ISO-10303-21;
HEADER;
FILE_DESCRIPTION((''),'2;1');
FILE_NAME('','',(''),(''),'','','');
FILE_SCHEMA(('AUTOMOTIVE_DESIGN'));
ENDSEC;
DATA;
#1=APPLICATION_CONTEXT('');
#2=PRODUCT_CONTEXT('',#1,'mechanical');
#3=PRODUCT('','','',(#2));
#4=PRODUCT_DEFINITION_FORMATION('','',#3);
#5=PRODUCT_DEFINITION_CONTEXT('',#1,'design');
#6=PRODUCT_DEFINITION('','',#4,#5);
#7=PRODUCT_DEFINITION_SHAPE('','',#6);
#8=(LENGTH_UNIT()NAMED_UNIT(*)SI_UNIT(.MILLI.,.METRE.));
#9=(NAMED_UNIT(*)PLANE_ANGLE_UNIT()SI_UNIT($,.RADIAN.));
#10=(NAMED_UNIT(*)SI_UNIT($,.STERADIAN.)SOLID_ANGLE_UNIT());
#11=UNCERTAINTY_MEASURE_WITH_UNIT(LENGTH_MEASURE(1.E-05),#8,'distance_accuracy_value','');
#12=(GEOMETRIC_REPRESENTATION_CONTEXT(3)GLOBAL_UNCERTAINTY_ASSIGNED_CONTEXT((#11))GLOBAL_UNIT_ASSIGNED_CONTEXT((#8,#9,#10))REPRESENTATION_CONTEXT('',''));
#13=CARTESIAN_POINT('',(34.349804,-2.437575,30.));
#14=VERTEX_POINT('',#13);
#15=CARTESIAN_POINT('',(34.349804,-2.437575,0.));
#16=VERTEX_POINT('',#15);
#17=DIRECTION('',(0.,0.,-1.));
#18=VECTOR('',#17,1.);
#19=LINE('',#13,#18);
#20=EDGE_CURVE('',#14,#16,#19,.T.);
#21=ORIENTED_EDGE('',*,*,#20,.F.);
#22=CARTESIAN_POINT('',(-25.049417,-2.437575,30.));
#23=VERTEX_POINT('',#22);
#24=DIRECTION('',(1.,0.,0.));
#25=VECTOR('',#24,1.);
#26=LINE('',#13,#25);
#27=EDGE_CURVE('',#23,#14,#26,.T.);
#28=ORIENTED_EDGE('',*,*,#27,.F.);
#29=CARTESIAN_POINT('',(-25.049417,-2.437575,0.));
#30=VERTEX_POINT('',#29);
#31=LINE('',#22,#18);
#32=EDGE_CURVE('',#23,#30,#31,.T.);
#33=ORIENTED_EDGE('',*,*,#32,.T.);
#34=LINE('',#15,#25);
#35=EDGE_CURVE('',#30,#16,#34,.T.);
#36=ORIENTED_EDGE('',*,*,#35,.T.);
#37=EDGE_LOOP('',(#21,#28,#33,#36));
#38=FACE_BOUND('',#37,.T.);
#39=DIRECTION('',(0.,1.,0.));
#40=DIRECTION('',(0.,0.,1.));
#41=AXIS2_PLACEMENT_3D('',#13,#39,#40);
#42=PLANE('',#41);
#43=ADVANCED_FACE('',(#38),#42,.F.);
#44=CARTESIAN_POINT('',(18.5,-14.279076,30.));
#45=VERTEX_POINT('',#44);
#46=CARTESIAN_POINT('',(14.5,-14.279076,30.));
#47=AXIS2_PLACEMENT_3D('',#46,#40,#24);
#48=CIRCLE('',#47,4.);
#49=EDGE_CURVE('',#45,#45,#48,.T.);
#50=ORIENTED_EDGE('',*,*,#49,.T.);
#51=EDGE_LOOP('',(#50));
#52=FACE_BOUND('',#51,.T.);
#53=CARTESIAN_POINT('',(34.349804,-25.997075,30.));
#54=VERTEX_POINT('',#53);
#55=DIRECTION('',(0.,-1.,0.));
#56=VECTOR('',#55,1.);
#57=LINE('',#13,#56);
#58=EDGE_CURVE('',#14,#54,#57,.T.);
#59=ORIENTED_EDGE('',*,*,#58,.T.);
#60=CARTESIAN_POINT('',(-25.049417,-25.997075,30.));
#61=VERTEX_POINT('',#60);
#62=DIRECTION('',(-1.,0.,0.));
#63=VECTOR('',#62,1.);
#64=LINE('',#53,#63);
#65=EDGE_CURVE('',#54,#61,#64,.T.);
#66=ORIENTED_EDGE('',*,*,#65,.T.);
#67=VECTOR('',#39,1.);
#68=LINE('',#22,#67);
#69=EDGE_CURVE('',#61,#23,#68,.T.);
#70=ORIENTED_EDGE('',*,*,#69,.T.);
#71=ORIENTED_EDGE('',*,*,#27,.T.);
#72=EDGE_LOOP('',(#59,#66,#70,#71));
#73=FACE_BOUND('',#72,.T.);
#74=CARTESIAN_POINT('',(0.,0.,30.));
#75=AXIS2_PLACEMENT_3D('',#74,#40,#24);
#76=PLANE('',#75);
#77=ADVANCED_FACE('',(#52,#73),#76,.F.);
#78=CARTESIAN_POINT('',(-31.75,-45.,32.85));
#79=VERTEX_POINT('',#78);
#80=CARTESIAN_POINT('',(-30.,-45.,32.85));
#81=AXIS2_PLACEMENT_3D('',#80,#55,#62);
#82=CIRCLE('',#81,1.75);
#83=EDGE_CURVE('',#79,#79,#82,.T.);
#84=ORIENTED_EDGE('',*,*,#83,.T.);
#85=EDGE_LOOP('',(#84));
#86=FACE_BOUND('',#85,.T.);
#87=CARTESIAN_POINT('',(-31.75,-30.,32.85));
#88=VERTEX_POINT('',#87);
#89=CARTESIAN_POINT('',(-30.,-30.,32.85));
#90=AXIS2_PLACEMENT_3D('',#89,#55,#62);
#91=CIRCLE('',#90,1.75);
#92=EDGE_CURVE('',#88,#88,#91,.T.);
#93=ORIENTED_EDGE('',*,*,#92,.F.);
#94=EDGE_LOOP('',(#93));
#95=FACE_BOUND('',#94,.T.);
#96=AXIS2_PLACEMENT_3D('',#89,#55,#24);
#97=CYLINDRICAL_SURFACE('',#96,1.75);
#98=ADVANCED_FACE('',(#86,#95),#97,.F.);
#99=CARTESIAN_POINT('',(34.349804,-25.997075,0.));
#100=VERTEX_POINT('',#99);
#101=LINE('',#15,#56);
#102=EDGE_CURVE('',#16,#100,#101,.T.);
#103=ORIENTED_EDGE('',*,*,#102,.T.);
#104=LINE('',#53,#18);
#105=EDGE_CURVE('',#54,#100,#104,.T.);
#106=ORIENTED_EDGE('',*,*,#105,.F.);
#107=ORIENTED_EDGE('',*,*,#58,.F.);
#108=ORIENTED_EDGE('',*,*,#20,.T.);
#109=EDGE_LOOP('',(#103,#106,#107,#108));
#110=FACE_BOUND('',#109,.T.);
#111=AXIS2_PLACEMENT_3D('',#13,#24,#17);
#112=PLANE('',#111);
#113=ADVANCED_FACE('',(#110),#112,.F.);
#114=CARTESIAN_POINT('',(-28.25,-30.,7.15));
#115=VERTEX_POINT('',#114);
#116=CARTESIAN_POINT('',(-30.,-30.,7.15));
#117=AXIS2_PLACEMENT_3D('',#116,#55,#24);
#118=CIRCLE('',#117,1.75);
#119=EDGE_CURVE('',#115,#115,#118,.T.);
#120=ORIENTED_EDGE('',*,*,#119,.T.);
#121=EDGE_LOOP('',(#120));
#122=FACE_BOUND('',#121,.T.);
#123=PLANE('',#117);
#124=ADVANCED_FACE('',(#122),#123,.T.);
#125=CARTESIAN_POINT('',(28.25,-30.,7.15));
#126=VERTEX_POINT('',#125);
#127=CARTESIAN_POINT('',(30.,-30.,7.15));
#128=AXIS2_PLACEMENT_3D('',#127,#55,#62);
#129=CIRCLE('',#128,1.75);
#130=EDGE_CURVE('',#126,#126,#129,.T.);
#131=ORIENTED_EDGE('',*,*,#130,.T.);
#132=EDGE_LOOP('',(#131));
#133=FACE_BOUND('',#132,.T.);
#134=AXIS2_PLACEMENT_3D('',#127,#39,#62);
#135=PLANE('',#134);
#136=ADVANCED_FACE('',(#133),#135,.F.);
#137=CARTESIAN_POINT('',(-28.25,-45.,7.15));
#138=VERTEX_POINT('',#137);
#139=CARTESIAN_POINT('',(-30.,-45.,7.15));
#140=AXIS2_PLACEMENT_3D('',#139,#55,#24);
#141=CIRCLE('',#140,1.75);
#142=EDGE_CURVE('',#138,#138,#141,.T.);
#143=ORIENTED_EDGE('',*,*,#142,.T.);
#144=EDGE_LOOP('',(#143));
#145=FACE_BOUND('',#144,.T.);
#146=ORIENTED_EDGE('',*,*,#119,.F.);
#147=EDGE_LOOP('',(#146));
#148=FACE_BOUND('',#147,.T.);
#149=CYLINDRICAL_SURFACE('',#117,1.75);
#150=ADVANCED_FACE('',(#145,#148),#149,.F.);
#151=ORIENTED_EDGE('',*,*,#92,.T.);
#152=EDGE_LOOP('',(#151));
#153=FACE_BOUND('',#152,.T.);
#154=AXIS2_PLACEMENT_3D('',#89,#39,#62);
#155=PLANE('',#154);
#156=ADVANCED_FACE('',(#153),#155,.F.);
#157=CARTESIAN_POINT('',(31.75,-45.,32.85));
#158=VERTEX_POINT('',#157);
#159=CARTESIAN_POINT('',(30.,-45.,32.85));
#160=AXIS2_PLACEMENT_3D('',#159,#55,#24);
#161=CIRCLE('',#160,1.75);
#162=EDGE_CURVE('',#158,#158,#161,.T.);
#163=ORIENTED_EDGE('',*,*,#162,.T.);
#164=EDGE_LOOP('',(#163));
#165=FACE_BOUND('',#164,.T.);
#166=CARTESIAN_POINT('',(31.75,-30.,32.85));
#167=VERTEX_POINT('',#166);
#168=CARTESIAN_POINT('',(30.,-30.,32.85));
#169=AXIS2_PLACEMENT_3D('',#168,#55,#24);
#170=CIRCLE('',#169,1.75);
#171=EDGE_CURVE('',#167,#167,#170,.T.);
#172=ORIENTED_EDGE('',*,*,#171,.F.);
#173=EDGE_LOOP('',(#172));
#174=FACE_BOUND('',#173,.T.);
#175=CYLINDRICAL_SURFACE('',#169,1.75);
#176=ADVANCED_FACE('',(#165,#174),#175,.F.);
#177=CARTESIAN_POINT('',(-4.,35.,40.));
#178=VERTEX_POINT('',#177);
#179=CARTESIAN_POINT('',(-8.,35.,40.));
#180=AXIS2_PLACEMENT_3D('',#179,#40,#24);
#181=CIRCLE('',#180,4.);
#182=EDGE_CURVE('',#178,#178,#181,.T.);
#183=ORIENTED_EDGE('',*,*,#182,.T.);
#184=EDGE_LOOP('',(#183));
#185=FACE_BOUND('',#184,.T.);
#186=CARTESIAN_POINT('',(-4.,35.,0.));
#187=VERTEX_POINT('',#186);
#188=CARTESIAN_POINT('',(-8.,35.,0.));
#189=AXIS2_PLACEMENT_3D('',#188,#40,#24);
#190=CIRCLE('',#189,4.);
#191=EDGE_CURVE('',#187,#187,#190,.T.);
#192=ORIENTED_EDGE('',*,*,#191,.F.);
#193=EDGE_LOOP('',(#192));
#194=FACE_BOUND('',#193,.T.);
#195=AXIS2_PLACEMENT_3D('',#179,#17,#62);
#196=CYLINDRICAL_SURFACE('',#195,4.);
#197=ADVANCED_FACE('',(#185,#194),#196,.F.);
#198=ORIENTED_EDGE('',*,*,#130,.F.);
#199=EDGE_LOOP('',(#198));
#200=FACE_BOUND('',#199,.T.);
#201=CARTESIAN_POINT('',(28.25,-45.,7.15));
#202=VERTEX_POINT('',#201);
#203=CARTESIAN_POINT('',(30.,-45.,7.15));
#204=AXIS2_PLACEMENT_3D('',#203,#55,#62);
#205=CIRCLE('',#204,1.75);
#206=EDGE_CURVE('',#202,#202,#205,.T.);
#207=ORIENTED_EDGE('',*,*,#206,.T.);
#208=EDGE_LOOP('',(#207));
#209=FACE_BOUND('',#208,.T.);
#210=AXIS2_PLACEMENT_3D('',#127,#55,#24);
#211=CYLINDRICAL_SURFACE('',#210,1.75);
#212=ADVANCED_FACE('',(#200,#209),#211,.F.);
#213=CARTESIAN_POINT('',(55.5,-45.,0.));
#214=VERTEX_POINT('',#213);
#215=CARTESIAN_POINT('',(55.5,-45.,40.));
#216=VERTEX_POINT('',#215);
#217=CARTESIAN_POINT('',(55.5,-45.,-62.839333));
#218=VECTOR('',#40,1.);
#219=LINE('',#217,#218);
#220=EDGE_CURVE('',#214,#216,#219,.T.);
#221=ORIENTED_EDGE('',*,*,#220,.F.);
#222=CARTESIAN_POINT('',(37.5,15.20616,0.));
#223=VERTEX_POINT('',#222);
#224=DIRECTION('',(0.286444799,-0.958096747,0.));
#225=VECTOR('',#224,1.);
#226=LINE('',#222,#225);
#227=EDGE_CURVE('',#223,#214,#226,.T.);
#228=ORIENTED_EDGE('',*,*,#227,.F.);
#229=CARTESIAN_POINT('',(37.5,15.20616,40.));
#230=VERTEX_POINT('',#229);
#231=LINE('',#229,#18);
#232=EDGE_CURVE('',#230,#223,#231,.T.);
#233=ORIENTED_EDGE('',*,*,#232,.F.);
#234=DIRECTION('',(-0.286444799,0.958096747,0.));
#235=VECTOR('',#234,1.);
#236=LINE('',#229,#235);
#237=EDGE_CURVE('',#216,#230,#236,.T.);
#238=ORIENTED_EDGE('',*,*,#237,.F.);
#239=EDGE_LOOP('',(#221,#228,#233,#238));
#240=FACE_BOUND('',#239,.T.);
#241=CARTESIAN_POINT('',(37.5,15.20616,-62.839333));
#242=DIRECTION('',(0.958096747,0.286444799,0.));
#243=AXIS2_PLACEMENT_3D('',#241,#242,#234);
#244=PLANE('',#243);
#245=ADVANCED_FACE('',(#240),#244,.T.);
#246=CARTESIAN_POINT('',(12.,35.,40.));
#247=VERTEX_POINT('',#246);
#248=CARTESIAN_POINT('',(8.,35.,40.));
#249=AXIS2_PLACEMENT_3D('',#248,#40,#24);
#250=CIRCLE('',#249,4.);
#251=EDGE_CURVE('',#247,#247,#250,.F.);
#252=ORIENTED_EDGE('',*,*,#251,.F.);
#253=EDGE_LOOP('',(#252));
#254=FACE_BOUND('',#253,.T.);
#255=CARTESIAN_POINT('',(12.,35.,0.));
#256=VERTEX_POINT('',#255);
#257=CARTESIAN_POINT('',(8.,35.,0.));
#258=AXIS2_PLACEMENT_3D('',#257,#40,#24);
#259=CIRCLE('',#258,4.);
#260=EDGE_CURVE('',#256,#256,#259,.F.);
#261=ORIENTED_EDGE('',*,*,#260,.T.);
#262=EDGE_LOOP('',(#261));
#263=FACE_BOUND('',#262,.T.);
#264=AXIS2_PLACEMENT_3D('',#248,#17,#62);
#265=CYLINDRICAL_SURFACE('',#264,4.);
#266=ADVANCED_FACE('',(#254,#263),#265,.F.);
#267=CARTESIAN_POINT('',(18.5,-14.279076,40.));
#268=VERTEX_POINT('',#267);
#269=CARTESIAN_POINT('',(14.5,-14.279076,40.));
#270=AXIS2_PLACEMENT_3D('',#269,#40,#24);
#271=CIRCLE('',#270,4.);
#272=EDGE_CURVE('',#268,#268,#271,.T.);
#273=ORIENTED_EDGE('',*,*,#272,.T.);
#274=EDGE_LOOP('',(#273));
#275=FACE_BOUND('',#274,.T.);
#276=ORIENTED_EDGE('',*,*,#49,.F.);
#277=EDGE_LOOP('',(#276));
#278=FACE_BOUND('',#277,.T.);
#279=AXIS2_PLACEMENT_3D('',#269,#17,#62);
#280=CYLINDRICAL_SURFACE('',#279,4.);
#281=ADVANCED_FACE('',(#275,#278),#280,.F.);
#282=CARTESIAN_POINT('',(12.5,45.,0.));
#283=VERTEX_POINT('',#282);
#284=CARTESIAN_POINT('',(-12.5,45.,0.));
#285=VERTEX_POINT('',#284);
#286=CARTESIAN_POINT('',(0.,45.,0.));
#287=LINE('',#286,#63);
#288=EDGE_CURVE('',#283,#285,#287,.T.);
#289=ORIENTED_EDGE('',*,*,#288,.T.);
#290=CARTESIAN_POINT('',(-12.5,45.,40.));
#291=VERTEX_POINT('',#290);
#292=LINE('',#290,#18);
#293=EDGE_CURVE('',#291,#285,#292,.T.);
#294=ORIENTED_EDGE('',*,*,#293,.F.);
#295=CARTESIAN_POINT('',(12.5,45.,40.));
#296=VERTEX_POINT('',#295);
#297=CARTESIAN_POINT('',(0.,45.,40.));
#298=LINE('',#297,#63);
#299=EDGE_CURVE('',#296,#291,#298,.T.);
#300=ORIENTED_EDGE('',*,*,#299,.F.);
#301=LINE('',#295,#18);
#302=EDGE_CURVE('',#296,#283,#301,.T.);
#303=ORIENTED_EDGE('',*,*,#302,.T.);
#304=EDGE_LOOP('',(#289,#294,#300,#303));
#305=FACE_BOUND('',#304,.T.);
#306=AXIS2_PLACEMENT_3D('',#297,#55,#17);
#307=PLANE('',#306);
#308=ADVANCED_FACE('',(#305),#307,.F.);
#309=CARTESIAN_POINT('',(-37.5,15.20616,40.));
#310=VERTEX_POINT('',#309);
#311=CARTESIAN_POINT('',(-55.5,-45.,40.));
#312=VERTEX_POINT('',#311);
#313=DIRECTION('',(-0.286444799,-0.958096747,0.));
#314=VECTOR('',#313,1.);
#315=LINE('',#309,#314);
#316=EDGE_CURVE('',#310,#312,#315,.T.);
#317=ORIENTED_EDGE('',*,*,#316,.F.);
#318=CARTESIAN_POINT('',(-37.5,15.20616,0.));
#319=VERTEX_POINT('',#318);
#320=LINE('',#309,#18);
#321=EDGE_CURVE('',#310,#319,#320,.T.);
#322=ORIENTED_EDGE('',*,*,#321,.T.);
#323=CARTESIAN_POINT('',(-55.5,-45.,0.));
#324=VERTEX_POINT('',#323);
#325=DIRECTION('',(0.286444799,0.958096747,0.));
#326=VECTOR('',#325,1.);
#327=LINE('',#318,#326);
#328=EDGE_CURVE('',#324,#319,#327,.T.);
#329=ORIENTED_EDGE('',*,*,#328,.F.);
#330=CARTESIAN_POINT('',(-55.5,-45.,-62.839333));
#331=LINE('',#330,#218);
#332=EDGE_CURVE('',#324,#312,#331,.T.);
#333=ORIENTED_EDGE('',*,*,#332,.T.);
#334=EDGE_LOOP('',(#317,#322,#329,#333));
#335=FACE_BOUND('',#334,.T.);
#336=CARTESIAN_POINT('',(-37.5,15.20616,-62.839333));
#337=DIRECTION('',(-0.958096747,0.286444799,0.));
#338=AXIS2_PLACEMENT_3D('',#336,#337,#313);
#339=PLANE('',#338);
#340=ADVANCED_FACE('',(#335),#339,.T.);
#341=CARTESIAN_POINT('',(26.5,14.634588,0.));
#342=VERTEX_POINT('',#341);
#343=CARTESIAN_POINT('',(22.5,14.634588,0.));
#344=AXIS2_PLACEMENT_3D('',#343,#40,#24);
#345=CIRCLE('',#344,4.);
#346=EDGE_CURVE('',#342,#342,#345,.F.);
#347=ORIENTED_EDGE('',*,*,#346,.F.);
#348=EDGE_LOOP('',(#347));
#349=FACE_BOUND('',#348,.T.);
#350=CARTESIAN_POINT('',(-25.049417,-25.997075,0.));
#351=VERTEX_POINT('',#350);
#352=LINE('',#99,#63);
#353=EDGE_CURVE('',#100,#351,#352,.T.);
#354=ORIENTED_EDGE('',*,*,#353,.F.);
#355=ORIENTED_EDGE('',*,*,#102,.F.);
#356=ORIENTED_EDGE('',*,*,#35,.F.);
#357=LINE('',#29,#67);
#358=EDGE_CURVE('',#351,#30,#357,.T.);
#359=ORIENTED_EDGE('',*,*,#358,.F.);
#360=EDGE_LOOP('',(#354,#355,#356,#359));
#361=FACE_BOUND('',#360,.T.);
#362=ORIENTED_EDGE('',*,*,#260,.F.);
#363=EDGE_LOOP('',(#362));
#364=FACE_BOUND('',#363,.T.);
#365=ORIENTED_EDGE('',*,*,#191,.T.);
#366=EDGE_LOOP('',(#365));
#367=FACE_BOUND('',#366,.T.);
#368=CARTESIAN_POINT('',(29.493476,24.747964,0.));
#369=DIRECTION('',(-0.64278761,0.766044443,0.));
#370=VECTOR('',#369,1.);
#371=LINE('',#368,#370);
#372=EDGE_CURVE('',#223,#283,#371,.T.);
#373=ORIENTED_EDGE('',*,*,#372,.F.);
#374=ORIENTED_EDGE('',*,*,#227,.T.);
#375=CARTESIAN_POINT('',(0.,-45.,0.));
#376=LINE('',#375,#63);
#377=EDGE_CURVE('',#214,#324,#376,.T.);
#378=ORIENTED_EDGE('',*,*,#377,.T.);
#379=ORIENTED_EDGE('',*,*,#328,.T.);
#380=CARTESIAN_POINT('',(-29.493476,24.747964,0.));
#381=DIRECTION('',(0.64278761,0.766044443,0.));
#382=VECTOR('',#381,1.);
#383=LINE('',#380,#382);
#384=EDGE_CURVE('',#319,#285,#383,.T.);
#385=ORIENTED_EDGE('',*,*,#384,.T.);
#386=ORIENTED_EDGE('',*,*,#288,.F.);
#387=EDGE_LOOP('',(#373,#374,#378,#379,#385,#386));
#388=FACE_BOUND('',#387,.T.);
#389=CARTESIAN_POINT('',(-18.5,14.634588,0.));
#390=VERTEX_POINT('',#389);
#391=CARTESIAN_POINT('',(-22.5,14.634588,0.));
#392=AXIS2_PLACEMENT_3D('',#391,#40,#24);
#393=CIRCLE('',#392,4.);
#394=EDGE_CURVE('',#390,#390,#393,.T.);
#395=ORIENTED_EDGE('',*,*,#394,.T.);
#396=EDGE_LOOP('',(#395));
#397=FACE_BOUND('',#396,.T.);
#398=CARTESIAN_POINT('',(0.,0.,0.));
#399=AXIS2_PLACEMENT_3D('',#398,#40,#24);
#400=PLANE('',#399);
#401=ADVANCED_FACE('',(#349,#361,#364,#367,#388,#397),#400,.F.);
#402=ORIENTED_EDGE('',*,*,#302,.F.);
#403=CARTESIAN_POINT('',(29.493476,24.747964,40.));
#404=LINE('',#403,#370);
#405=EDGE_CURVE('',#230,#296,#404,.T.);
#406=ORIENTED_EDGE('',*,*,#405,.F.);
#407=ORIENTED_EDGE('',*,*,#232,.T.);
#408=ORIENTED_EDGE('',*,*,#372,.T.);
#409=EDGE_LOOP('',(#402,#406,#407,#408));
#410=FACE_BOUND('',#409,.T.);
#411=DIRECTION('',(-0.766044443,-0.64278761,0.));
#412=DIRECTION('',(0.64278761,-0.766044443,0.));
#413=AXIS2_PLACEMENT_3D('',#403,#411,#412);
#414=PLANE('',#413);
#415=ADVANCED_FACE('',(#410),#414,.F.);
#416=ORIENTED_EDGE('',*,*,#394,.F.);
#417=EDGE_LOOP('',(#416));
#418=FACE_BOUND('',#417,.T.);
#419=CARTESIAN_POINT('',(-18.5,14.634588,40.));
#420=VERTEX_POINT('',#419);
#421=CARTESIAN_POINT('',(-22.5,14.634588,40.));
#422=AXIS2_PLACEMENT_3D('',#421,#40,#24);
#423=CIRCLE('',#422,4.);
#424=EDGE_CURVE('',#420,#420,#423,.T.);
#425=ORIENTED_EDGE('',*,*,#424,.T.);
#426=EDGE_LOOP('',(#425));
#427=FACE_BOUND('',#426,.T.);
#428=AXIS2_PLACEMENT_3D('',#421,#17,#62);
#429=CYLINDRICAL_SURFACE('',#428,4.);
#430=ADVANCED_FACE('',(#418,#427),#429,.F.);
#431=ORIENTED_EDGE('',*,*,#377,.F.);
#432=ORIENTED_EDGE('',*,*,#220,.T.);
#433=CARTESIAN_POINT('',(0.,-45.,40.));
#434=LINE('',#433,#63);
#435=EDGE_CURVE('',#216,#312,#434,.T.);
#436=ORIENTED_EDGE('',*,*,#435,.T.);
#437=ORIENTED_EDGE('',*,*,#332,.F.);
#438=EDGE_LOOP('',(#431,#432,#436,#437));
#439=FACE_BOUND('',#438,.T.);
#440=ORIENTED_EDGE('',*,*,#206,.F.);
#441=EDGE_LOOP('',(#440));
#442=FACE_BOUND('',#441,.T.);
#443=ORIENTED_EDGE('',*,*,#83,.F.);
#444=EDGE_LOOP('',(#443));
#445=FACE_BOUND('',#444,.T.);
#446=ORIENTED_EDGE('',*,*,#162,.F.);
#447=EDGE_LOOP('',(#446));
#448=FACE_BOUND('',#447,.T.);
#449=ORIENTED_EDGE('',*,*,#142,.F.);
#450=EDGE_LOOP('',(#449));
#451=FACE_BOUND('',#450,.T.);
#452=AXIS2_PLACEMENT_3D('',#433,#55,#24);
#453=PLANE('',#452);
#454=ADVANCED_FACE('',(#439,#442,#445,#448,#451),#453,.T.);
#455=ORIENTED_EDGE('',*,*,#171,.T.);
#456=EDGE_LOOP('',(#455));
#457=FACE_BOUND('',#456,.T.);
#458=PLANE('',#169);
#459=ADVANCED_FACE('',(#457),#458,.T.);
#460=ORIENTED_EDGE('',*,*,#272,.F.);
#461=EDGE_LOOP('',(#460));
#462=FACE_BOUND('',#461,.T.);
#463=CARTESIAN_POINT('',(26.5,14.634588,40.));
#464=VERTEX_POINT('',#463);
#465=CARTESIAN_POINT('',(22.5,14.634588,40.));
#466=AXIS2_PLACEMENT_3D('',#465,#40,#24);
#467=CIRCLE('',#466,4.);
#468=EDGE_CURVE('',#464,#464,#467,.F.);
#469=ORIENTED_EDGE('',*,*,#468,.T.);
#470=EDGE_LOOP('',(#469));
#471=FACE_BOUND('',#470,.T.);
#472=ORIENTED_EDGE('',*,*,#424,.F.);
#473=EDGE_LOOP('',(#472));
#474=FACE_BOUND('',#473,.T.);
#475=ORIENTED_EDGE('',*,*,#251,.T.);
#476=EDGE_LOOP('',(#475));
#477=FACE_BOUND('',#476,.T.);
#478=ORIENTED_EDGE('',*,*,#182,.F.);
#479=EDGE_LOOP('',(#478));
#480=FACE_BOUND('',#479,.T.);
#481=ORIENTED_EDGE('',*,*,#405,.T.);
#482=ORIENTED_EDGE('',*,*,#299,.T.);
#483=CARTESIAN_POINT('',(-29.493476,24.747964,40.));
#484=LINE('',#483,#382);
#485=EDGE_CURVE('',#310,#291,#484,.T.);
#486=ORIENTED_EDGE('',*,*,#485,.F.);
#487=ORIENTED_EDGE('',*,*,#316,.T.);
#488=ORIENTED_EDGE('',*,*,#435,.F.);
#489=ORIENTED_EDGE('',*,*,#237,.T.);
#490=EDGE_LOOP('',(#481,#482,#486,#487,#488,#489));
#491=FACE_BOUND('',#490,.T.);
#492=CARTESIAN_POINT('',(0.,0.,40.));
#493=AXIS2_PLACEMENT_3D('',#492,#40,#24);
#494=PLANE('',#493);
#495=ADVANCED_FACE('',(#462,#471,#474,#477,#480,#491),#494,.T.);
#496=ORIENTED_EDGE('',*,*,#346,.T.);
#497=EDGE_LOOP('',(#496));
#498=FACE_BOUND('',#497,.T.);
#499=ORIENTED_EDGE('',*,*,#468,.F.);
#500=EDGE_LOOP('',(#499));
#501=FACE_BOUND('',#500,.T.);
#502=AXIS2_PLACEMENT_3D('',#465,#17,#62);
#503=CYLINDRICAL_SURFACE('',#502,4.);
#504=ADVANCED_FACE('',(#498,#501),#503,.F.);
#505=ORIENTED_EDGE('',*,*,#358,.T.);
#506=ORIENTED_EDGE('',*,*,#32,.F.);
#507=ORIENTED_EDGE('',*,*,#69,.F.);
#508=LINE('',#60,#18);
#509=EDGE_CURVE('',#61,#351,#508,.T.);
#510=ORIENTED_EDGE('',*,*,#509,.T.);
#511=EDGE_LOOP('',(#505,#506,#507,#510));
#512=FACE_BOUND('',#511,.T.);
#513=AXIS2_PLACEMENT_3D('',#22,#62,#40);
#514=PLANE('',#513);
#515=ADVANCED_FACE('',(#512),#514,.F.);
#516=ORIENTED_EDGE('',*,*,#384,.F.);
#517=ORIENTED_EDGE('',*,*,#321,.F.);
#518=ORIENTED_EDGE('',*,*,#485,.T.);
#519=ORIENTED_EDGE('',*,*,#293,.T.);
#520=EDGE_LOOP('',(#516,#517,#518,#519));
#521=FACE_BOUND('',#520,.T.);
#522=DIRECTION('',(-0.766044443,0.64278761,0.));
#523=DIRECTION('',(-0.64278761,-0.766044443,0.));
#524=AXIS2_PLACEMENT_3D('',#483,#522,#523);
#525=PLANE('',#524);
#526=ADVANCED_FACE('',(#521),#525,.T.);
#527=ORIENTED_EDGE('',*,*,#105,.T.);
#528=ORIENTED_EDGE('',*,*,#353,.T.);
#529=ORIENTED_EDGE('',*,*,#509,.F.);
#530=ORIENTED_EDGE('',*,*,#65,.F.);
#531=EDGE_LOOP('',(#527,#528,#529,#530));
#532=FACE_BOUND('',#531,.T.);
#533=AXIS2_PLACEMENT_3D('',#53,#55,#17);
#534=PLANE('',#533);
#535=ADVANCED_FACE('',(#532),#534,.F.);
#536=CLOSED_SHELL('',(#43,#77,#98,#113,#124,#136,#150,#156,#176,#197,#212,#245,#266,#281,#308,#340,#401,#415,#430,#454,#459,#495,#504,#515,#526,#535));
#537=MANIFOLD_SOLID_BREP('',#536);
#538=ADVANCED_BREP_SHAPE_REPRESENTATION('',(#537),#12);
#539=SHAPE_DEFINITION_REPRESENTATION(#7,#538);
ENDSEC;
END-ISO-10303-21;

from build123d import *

# Parameters (mm, degrees)
SKETCH4_R           = 4
BOSS_EXTRUDE1_DEPTH = 40
SKETCH5_R           = 1.75
CUT_EXTRUDE1_DEPTH  = 15
SKETCH6_W           = 59.399220689
SKETCH6_H           = 23.559499922
CUT_EXTRUDE3_DEPTH  = 30
BOSS_EXTRUDE2_DEPTH = 40


with BuildPart() as part:
    # Sketch4 → Boss-Extrude1 (new body)
    # profile 1 of 2: a face of its own
    with BuildSketch(Plane.XY):
        Polygon((0, -45), (37.5, -45), (37.5, 15.206160185), (12.5, 45), (0, 45), align=None)
        with Locations((14.5, -14.279076444)):
            Circle(SKETCH4_R, mode=Mode.SUBTRACT)
        with Locations((22.5, 14.634588146)):
            Circle(SKETCH4_R, mode=Mode.SUBTRACT)
        with Locations((8, 35)):
            Circle(SKETCH4_R, mode=Mode.SUBTRACT)
    # profile 2 of 2: a face of its own
    with BuildSketch(Plane.XY):
        Polygon((-37.5, -45), (0, -45), (0, 45), (-12.5, 45), (-37.5, 15.206160185), align=None)
        with Locations((-22.5, 14.634588146)):
            Circle(SKETCH4_R, mode=Mode.SUBTRACT)
        with Locations((-8, 35)):
            Circle(SKETCH4_R, mode=Mode.SUBTRACT)
    extrude(amount=BOSS_EXTRUDE1_DEPTH)

    # Sketch5 → Cut-Extrude1 (cut)
    with BuildSketch(Plane.XZ.offset(45)):
        with Locations((-30, 7.15)):
            Circle(SKETCH5_R)
        with Locations(Location((30, 7.15, 0), (0, 0, 180))):
            Circle(SKETCH5_R)
        with Locations((30, 32.85)):
            Circle(SKETCH5_R)
        with Locations(Location((-30, 32.85, 0), (0, 0, 180))):
            Circle(SKETCH5_R)
    extrude(amount=-CUT_EXTRUDE1_DEPTH, mode=Mode.SUBTRACT)

    # Sketch6 → Cut-Extrude3 (cut)
    with BuildSketch(Plane(origin=(0, 0, 0), x_dir=(-1, 0, 0), z_dir=(0, 0, -1))):
        with Locations((-4.650193569, -14.217324683)):
            Rectangle(SKETCH6_W, SKETCH6_H)
    extrude(amount=-CUT_EXTRUDE3_DEPTH, mode=Mode.SUBTRACT)

    # Sketch7 → Boss-Extrude2 (add)
    with BuildSketch(Plane.XY.offset(40)):
        Polygon((-37.5, 15.206160185), (-55.5, -45), (-37.5, -45), align=None)
        Polygon((37.5, -45), (37.5, 15.206160185), (55.5, -45), align=None)
    extrude(amount=-BOSS_EXTRUDE2_DEPTH)


solid = part.part
